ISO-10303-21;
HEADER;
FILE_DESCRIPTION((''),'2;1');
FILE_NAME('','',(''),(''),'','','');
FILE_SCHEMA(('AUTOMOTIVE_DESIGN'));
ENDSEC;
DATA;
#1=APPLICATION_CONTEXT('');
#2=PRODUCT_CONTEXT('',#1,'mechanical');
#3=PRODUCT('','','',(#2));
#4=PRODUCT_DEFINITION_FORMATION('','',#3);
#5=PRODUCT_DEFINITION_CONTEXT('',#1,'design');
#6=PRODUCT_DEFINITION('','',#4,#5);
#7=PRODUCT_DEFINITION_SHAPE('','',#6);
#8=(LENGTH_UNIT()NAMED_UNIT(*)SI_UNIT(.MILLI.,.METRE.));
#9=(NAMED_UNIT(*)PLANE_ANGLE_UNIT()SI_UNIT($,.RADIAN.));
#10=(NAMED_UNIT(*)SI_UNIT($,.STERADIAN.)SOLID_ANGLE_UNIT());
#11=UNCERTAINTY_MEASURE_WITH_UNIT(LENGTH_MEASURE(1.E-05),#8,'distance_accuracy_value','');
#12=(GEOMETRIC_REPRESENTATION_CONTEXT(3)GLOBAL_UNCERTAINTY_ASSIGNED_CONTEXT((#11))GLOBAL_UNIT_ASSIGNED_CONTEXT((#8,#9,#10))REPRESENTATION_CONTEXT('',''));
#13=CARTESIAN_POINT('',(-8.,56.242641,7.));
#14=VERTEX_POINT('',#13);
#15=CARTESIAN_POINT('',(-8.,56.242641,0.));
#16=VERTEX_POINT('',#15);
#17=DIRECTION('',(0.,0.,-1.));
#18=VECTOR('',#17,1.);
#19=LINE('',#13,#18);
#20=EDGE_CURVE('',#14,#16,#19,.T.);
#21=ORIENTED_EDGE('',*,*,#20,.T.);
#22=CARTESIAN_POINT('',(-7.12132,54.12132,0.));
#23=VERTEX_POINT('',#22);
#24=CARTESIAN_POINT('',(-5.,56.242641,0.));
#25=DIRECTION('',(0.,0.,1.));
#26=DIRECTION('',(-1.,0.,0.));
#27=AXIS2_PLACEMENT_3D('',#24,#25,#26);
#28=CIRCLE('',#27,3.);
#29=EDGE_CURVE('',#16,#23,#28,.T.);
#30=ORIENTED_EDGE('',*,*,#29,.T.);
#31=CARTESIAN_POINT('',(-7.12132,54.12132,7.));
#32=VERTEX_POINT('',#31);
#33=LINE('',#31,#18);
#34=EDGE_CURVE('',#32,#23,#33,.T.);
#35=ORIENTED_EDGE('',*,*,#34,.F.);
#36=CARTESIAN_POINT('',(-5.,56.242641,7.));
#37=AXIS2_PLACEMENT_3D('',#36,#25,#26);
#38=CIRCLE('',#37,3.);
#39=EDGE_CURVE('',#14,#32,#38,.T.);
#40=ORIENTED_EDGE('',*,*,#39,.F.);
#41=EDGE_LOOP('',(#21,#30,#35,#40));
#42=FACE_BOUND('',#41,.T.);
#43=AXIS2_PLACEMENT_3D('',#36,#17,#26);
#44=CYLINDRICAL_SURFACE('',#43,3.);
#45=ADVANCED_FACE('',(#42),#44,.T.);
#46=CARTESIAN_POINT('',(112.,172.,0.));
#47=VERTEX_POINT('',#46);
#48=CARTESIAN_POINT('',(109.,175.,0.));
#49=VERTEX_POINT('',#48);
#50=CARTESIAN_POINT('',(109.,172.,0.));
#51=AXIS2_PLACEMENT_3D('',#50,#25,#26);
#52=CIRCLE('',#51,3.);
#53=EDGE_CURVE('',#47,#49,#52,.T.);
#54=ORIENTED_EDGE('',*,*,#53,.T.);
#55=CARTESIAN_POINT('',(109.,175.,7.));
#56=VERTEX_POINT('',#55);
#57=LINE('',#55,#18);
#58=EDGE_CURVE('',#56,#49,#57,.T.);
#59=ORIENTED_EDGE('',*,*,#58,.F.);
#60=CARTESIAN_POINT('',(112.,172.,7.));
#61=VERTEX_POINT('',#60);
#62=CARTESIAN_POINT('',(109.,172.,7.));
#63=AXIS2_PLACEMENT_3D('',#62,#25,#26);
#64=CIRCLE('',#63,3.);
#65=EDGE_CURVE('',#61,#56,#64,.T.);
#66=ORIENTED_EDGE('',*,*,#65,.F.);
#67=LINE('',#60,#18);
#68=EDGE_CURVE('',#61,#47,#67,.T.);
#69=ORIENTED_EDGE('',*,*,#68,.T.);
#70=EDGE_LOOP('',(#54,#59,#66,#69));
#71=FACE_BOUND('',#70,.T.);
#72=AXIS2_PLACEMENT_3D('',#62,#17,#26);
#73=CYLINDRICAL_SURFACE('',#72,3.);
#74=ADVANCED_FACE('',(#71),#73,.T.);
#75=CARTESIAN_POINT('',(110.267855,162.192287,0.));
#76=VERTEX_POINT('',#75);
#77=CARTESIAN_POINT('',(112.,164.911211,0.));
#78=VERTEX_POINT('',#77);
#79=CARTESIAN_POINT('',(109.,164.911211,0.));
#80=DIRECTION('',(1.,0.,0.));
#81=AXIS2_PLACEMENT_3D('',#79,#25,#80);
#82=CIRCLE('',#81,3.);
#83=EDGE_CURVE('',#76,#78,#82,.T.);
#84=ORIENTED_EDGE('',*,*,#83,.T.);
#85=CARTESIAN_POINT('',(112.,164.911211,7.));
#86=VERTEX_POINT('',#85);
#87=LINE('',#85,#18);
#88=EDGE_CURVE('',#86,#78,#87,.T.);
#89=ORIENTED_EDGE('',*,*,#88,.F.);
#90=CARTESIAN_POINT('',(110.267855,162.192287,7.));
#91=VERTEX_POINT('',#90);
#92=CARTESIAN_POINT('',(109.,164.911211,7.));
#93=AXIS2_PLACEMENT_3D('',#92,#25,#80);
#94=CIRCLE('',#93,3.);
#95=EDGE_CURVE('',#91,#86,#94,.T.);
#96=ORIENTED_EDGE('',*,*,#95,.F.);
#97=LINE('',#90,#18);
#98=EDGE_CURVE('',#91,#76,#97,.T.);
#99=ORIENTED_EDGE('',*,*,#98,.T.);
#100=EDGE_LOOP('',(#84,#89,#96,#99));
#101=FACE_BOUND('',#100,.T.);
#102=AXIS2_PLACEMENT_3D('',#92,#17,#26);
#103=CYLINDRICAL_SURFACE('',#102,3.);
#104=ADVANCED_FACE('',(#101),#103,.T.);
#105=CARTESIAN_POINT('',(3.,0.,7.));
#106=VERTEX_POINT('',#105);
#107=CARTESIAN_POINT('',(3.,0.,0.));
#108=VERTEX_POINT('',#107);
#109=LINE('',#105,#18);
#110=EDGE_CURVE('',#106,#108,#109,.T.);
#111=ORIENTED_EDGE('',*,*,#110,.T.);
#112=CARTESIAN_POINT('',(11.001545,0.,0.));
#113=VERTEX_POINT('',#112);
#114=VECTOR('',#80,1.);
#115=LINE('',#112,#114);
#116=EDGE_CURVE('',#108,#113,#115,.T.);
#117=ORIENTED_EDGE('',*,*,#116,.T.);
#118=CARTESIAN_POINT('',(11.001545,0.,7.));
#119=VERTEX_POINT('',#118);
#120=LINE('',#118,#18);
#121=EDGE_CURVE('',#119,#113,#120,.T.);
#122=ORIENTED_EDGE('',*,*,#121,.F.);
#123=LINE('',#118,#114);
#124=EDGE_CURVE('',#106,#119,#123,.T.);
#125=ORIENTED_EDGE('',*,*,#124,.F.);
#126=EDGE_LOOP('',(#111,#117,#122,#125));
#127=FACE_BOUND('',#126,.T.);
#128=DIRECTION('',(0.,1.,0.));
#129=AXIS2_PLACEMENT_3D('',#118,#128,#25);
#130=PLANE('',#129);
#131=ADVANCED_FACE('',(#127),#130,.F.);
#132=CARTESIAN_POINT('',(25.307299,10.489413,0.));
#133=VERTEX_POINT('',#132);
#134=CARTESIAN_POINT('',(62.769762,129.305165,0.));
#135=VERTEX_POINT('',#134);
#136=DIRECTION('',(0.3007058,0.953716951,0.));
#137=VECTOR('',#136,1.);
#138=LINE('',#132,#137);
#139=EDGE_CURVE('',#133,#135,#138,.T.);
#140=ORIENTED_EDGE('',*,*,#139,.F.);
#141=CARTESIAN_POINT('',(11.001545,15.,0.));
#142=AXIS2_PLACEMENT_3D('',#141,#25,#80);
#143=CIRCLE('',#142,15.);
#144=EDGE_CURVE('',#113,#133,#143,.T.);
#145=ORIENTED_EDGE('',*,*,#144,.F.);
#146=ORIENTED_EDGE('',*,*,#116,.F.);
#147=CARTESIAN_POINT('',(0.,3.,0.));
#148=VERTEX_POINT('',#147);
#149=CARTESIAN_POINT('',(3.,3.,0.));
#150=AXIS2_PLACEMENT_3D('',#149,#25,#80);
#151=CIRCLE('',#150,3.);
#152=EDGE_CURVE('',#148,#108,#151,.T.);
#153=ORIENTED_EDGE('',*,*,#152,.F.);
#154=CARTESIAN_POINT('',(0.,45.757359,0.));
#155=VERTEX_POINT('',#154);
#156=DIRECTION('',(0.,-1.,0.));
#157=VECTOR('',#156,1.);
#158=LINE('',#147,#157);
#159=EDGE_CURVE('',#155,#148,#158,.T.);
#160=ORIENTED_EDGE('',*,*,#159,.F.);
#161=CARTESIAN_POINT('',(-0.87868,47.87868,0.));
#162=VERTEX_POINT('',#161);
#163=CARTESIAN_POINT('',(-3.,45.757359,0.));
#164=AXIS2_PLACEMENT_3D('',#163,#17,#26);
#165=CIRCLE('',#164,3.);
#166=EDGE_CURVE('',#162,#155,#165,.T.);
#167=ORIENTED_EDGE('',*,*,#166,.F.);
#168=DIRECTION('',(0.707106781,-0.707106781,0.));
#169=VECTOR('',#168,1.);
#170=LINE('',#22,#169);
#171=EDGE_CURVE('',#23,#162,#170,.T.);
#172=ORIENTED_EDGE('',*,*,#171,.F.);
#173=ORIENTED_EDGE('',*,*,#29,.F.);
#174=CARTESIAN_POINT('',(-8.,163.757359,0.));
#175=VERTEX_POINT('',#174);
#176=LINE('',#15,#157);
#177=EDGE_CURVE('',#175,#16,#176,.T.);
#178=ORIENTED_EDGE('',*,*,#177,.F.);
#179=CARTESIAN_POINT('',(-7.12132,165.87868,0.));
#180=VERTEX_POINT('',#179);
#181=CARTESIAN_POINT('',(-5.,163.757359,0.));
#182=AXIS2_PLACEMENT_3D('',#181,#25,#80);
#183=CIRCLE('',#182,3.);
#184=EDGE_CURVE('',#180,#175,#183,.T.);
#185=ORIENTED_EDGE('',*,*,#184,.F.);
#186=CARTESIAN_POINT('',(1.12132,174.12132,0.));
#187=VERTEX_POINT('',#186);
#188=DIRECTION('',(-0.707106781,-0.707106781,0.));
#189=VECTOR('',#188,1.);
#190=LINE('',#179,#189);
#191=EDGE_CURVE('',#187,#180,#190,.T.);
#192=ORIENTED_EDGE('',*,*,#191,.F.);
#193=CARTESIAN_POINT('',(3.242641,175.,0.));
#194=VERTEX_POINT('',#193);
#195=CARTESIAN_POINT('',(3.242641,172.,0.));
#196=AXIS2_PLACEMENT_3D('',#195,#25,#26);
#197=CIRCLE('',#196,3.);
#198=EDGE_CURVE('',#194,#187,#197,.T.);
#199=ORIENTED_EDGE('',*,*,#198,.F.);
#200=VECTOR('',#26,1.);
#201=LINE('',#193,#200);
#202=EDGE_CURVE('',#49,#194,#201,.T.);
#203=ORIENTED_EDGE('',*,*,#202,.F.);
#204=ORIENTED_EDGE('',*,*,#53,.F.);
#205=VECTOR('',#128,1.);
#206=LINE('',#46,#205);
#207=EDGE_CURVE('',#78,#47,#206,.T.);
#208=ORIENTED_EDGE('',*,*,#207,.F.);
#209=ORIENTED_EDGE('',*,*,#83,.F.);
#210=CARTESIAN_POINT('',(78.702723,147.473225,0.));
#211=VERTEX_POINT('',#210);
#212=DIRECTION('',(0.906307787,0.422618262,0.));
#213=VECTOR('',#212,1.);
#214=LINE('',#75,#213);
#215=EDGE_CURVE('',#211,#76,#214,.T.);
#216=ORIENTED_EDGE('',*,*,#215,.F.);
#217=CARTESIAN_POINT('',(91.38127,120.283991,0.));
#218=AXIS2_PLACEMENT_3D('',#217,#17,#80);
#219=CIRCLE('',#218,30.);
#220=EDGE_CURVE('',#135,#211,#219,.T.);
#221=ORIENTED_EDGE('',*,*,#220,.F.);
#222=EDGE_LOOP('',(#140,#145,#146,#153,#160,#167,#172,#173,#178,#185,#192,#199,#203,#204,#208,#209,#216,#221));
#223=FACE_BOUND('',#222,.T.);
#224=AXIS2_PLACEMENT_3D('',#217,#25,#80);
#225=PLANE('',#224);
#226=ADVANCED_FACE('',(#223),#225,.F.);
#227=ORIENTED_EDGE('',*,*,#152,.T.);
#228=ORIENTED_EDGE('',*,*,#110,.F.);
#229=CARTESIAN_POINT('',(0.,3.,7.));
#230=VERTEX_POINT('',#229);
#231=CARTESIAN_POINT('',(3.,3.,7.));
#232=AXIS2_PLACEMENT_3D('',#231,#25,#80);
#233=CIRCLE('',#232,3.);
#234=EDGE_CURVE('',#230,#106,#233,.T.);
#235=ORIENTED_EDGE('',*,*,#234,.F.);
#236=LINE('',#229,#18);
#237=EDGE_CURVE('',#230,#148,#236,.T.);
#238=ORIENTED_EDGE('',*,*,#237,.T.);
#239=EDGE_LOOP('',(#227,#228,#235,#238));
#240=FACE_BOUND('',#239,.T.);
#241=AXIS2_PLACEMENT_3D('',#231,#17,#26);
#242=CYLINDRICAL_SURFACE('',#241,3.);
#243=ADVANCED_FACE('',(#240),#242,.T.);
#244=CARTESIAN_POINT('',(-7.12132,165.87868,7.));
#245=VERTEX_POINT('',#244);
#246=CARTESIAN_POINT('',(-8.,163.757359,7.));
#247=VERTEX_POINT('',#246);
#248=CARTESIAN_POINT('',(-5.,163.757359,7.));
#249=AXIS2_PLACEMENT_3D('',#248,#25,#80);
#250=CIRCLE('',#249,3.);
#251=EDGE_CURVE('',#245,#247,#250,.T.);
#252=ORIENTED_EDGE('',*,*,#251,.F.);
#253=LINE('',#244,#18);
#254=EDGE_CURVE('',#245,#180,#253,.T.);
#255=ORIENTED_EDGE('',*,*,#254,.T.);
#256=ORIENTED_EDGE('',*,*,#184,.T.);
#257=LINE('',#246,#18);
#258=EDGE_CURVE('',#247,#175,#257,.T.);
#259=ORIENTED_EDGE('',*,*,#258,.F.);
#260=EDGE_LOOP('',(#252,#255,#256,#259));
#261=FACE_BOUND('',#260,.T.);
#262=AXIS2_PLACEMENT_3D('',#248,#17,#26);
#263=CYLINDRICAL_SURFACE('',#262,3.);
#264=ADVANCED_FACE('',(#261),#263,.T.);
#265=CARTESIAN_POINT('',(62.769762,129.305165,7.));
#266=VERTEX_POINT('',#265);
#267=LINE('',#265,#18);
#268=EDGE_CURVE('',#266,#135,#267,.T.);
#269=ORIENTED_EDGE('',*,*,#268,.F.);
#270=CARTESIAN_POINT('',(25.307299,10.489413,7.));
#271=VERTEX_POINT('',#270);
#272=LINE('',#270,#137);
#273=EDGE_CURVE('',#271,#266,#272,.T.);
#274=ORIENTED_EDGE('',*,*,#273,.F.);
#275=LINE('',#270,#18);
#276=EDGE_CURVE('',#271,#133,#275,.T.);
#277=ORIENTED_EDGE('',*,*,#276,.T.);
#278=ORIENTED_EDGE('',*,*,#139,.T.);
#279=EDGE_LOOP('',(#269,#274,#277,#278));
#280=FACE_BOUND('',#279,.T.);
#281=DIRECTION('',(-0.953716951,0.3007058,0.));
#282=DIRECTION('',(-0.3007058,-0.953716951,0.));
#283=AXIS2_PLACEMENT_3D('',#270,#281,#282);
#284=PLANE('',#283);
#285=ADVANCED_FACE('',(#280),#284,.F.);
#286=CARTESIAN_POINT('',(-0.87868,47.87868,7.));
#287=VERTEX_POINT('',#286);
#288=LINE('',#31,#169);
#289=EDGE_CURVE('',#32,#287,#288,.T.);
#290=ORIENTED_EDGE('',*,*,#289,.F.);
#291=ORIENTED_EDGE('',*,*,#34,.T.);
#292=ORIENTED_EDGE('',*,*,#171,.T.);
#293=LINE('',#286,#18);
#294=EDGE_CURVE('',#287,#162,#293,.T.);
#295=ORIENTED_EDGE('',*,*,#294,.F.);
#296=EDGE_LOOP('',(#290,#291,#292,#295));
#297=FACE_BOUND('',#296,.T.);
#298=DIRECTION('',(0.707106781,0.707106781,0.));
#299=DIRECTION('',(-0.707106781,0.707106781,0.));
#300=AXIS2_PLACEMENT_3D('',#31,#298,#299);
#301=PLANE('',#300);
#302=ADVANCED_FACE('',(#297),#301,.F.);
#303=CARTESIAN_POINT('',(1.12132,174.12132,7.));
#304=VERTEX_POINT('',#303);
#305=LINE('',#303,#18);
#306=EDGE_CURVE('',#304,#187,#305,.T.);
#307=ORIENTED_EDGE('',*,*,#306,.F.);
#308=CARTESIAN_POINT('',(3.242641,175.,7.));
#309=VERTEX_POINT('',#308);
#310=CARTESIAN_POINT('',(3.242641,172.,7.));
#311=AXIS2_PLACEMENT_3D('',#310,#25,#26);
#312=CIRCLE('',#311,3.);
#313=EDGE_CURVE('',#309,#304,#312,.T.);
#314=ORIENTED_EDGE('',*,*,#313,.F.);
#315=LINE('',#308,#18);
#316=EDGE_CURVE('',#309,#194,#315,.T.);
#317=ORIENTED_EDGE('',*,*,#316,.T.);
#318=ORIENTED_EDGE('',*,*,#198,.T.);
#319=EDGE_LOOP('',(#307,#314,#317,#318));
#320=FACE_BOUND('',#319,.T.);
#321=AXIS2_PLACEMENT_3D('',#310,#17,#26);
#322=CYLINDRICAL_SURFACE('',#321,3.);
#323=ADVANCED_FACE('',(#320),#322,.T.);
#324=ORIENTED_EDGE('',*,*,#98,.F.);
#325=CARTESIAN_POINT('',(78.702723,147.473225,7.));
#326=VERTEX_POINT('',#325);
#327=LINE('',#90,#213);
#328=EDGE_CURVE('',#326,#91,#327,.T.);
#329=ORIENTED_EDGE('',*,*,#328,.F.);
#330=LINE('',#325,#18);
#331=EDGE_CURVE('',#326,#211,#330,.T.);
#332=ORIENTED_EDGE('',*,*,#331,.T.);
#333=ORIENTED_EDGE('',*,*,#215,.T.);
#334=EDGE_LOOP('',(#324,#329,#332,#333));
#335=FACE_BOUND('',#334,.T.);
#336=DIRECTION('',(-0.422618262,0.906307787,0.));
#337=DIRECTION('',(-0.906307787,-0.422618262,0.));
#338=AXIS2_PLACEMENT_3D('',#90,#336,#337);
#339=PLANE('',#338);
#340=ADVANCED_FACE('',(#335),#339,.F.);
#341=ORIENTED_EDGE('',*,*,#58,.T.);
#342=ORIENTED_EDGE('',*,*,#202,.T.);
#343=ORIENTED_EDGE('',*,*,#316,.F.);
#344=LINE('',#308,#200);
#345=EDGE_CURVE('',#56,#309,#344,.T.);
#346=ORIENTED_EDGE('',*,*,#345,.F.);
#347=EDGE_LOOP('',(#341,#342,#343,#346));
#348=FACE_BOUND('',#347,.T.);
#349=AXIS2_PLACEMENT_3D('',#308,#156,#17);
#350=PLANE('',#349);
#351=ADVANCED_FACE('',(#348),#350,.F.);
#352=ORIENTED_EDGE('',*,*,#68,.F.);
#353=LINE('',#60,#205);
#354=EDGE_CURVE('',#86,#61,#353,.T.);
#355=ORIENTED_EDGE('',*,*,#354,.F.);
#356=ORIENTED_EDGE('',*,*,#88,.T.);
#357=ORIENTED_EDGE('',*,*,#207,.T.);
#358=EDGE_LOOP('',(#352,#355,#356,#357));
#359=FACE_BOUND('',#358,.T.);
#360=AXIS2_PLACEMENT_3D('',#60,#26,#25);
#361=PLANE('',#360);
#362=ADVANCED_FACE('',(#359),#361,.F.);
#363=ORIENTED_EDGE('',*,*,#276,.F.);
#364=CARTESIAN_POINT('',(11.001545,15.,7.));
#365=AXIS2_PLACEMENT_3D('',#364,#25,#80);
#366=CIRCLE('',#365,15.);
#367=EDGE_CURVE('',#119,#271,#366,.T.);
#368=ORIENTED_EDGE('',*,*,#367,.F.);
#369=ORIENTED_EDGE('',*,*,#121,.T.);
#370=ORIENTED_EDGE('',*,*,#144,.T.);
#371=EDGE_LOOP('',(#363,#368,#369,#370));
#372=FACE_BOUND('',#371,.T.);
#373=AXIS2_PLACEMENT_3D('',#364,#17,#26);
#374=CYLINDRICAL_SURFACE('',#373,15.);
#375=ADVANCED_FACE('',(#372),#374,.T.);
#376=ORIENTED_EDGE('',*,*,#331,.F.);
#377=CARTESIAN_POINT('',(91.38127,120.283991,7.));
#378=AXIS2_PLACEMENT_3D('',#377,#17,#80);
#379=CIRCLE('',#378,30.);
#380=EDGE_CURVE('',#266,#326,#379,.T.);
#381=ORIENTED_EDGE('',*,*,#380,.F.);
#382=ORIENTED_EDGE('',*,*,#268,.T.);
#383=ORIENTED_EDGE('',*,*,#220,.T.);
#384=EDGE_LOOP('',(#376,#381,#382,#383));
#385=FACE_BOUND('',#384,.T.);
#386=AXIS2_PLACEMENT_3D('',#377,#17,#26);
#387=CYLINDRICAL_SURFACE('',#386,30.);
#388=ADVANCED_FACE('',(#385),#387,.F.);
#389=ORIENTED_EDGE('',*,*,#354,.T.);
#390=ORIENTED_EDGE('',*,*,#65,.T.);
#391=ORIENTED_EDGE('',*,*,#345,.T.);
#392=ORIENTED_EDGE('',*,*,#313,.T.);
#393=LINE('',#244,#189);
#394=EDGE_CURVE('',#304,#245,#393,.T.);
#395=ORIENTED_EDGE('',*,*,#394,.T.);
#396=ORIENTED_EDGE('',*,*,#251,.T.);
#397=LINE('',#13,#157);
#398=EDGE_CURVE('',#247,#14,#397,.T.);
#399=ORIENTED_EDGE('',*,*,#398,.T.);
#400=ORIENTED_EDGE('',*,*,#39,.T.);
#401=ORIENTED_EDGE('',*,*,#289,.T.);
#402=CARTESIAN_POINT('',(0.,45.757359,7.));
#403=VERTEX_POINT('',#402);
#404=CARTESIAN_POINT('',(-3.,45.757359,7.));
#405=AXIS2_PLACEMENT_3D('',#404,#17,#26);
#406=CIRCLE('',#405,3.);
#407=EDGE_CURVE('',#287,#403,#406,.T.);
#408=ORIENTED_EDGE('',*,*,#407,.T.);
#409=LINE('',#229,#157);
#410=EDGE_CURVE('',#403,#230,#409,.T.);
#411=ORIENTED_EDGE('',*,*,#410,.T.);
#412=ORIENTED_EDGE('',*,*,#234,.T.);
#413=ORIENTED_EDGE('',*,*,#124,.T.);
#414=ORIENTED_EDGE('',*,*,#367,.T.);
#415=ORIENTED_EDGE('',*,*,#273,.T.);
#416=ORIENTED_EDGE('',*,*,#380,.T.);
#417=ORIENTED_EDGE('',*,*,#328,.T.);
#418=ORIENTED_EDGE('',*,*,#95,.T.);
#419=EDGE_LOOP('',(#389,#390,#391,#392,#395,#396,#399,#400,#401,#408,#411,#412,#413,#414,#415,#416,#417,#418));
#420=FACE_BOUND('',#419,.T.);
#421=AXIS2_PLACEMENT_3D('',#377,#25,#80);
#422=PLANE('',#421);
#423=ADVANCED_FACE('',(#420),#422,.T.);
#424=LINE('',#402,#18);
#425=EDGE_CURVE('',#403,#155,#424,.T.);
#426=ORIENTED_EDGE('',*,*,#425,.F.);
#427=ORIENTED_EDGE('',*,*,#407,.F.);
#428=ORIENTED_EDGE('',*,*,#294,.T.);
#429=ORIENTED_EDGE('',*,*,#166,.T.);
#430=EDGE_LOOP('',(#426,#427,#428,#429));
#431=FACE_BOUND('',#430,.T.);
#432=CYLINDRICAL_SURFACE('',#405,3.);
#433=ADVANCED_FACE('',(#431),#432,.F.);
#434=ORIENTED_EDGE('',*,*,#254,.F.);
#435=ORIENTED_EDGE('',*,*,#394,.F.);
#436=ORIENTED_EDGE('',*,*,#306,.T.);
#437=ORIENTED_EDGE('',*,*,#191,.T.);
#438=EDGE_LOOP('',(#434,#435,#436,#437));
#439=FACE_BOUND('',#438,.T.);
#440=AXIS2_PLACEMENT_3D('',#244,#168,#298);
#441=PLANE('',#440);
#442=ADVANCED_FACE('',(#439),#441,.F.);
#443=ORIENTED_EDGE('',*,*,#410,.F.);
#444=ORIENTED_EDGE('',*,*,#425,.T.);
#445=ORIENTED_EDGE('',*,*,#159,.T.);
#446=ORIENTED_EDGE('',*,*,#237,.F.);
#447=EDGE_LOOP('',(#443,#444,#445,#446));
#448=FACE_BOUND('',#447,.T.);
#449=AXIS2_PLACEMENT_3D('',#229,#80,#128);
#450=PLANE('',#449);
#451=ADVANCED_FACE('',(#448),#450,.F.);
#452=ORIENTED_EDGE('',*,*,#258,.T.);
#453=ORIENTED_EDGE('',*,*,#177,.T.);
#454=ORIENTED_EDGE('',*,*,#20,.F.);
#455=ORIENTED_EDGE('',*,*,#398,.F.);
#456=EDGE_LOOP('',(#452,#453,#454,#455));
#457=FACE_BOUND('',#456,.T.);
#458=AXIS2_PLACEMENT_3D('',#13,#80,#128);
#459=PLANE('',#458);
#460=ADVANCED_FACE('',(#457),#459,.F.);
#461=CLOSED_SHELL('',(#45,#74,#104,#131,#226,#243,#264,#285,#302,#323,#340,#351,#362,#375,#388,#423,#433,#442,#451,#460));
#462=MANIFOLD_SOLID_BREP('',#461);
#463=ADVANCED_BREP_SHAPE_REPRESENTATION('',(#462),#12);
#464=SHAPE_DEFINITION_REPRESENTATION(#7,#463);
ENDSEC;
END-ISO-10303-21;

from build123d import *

# Parameters (mm, degrees)
EXTRUDE1_DEPTH = 7


with BuildPart() as part:
    # Sketch1 → Extrude1 (new body)
    with BuildSketch(Plane.XY):
        with BuildLine():
            Line((-8, 56.242640687), (-8, 163.757359313))
            ThreePointArc((-8, 163.757359313), (-7.771638598, 164.90540961), (-7.121320344, 165.878679656))
            Line((-7.121320344, 165.878679656), (1.121320344, 174.121320344))
            ThreePointArc((1.121320344, 174.121320344), (2.09459039, 174.771638598), (3.242640687, 175))
            Line((3.242640687, 175), (109, 175))
            ThreePointArc((109, 175), (111.121320344, 174.121320344), (112, 172))
            Line((112, 172), (112, 164.911210782))
            ThreePointArc((112, 164.911210782), (111.530174337, 163.299311957), (110.267854785, 162.192287421))
            Line((110.267854785, 162.192287421), (78.702722562, 147.473224535))
            ThreePointArc((78.702722562, 147.473224535), (68.82607619, 140.064365377), (62.769761892, 129.305164909))
            Line((62.769761892, 129.305164909), (25.307299217, 10.489413007))
            ThreePointArc((25.307299217, 10.489413007), (19.871189682, 2.903330936), (11.001544956, 0))
            Line((11.001544956, 0), (3, 0))
            ThreePointArc((3, 0), (0.878679656, 0.878679656), (0, 3))
            Line((0, 3), (0, 45.757359313))
            ThreePointArc((0, 45.757359313), (-0.228361402, 46.90540961), (-0.878679656, 47.878679656))
            Line((-0.878679656, 47.878679656), (-7.121320344, 54.121320344))
            ThreePointArc((-7.121320344, 54.121320344), (-7.771638598, 55.09459039), (-8, 56.242640687))
        make_face()
    extrude(amount=EXTRUDE1_DEPTH)


solid = part.part
